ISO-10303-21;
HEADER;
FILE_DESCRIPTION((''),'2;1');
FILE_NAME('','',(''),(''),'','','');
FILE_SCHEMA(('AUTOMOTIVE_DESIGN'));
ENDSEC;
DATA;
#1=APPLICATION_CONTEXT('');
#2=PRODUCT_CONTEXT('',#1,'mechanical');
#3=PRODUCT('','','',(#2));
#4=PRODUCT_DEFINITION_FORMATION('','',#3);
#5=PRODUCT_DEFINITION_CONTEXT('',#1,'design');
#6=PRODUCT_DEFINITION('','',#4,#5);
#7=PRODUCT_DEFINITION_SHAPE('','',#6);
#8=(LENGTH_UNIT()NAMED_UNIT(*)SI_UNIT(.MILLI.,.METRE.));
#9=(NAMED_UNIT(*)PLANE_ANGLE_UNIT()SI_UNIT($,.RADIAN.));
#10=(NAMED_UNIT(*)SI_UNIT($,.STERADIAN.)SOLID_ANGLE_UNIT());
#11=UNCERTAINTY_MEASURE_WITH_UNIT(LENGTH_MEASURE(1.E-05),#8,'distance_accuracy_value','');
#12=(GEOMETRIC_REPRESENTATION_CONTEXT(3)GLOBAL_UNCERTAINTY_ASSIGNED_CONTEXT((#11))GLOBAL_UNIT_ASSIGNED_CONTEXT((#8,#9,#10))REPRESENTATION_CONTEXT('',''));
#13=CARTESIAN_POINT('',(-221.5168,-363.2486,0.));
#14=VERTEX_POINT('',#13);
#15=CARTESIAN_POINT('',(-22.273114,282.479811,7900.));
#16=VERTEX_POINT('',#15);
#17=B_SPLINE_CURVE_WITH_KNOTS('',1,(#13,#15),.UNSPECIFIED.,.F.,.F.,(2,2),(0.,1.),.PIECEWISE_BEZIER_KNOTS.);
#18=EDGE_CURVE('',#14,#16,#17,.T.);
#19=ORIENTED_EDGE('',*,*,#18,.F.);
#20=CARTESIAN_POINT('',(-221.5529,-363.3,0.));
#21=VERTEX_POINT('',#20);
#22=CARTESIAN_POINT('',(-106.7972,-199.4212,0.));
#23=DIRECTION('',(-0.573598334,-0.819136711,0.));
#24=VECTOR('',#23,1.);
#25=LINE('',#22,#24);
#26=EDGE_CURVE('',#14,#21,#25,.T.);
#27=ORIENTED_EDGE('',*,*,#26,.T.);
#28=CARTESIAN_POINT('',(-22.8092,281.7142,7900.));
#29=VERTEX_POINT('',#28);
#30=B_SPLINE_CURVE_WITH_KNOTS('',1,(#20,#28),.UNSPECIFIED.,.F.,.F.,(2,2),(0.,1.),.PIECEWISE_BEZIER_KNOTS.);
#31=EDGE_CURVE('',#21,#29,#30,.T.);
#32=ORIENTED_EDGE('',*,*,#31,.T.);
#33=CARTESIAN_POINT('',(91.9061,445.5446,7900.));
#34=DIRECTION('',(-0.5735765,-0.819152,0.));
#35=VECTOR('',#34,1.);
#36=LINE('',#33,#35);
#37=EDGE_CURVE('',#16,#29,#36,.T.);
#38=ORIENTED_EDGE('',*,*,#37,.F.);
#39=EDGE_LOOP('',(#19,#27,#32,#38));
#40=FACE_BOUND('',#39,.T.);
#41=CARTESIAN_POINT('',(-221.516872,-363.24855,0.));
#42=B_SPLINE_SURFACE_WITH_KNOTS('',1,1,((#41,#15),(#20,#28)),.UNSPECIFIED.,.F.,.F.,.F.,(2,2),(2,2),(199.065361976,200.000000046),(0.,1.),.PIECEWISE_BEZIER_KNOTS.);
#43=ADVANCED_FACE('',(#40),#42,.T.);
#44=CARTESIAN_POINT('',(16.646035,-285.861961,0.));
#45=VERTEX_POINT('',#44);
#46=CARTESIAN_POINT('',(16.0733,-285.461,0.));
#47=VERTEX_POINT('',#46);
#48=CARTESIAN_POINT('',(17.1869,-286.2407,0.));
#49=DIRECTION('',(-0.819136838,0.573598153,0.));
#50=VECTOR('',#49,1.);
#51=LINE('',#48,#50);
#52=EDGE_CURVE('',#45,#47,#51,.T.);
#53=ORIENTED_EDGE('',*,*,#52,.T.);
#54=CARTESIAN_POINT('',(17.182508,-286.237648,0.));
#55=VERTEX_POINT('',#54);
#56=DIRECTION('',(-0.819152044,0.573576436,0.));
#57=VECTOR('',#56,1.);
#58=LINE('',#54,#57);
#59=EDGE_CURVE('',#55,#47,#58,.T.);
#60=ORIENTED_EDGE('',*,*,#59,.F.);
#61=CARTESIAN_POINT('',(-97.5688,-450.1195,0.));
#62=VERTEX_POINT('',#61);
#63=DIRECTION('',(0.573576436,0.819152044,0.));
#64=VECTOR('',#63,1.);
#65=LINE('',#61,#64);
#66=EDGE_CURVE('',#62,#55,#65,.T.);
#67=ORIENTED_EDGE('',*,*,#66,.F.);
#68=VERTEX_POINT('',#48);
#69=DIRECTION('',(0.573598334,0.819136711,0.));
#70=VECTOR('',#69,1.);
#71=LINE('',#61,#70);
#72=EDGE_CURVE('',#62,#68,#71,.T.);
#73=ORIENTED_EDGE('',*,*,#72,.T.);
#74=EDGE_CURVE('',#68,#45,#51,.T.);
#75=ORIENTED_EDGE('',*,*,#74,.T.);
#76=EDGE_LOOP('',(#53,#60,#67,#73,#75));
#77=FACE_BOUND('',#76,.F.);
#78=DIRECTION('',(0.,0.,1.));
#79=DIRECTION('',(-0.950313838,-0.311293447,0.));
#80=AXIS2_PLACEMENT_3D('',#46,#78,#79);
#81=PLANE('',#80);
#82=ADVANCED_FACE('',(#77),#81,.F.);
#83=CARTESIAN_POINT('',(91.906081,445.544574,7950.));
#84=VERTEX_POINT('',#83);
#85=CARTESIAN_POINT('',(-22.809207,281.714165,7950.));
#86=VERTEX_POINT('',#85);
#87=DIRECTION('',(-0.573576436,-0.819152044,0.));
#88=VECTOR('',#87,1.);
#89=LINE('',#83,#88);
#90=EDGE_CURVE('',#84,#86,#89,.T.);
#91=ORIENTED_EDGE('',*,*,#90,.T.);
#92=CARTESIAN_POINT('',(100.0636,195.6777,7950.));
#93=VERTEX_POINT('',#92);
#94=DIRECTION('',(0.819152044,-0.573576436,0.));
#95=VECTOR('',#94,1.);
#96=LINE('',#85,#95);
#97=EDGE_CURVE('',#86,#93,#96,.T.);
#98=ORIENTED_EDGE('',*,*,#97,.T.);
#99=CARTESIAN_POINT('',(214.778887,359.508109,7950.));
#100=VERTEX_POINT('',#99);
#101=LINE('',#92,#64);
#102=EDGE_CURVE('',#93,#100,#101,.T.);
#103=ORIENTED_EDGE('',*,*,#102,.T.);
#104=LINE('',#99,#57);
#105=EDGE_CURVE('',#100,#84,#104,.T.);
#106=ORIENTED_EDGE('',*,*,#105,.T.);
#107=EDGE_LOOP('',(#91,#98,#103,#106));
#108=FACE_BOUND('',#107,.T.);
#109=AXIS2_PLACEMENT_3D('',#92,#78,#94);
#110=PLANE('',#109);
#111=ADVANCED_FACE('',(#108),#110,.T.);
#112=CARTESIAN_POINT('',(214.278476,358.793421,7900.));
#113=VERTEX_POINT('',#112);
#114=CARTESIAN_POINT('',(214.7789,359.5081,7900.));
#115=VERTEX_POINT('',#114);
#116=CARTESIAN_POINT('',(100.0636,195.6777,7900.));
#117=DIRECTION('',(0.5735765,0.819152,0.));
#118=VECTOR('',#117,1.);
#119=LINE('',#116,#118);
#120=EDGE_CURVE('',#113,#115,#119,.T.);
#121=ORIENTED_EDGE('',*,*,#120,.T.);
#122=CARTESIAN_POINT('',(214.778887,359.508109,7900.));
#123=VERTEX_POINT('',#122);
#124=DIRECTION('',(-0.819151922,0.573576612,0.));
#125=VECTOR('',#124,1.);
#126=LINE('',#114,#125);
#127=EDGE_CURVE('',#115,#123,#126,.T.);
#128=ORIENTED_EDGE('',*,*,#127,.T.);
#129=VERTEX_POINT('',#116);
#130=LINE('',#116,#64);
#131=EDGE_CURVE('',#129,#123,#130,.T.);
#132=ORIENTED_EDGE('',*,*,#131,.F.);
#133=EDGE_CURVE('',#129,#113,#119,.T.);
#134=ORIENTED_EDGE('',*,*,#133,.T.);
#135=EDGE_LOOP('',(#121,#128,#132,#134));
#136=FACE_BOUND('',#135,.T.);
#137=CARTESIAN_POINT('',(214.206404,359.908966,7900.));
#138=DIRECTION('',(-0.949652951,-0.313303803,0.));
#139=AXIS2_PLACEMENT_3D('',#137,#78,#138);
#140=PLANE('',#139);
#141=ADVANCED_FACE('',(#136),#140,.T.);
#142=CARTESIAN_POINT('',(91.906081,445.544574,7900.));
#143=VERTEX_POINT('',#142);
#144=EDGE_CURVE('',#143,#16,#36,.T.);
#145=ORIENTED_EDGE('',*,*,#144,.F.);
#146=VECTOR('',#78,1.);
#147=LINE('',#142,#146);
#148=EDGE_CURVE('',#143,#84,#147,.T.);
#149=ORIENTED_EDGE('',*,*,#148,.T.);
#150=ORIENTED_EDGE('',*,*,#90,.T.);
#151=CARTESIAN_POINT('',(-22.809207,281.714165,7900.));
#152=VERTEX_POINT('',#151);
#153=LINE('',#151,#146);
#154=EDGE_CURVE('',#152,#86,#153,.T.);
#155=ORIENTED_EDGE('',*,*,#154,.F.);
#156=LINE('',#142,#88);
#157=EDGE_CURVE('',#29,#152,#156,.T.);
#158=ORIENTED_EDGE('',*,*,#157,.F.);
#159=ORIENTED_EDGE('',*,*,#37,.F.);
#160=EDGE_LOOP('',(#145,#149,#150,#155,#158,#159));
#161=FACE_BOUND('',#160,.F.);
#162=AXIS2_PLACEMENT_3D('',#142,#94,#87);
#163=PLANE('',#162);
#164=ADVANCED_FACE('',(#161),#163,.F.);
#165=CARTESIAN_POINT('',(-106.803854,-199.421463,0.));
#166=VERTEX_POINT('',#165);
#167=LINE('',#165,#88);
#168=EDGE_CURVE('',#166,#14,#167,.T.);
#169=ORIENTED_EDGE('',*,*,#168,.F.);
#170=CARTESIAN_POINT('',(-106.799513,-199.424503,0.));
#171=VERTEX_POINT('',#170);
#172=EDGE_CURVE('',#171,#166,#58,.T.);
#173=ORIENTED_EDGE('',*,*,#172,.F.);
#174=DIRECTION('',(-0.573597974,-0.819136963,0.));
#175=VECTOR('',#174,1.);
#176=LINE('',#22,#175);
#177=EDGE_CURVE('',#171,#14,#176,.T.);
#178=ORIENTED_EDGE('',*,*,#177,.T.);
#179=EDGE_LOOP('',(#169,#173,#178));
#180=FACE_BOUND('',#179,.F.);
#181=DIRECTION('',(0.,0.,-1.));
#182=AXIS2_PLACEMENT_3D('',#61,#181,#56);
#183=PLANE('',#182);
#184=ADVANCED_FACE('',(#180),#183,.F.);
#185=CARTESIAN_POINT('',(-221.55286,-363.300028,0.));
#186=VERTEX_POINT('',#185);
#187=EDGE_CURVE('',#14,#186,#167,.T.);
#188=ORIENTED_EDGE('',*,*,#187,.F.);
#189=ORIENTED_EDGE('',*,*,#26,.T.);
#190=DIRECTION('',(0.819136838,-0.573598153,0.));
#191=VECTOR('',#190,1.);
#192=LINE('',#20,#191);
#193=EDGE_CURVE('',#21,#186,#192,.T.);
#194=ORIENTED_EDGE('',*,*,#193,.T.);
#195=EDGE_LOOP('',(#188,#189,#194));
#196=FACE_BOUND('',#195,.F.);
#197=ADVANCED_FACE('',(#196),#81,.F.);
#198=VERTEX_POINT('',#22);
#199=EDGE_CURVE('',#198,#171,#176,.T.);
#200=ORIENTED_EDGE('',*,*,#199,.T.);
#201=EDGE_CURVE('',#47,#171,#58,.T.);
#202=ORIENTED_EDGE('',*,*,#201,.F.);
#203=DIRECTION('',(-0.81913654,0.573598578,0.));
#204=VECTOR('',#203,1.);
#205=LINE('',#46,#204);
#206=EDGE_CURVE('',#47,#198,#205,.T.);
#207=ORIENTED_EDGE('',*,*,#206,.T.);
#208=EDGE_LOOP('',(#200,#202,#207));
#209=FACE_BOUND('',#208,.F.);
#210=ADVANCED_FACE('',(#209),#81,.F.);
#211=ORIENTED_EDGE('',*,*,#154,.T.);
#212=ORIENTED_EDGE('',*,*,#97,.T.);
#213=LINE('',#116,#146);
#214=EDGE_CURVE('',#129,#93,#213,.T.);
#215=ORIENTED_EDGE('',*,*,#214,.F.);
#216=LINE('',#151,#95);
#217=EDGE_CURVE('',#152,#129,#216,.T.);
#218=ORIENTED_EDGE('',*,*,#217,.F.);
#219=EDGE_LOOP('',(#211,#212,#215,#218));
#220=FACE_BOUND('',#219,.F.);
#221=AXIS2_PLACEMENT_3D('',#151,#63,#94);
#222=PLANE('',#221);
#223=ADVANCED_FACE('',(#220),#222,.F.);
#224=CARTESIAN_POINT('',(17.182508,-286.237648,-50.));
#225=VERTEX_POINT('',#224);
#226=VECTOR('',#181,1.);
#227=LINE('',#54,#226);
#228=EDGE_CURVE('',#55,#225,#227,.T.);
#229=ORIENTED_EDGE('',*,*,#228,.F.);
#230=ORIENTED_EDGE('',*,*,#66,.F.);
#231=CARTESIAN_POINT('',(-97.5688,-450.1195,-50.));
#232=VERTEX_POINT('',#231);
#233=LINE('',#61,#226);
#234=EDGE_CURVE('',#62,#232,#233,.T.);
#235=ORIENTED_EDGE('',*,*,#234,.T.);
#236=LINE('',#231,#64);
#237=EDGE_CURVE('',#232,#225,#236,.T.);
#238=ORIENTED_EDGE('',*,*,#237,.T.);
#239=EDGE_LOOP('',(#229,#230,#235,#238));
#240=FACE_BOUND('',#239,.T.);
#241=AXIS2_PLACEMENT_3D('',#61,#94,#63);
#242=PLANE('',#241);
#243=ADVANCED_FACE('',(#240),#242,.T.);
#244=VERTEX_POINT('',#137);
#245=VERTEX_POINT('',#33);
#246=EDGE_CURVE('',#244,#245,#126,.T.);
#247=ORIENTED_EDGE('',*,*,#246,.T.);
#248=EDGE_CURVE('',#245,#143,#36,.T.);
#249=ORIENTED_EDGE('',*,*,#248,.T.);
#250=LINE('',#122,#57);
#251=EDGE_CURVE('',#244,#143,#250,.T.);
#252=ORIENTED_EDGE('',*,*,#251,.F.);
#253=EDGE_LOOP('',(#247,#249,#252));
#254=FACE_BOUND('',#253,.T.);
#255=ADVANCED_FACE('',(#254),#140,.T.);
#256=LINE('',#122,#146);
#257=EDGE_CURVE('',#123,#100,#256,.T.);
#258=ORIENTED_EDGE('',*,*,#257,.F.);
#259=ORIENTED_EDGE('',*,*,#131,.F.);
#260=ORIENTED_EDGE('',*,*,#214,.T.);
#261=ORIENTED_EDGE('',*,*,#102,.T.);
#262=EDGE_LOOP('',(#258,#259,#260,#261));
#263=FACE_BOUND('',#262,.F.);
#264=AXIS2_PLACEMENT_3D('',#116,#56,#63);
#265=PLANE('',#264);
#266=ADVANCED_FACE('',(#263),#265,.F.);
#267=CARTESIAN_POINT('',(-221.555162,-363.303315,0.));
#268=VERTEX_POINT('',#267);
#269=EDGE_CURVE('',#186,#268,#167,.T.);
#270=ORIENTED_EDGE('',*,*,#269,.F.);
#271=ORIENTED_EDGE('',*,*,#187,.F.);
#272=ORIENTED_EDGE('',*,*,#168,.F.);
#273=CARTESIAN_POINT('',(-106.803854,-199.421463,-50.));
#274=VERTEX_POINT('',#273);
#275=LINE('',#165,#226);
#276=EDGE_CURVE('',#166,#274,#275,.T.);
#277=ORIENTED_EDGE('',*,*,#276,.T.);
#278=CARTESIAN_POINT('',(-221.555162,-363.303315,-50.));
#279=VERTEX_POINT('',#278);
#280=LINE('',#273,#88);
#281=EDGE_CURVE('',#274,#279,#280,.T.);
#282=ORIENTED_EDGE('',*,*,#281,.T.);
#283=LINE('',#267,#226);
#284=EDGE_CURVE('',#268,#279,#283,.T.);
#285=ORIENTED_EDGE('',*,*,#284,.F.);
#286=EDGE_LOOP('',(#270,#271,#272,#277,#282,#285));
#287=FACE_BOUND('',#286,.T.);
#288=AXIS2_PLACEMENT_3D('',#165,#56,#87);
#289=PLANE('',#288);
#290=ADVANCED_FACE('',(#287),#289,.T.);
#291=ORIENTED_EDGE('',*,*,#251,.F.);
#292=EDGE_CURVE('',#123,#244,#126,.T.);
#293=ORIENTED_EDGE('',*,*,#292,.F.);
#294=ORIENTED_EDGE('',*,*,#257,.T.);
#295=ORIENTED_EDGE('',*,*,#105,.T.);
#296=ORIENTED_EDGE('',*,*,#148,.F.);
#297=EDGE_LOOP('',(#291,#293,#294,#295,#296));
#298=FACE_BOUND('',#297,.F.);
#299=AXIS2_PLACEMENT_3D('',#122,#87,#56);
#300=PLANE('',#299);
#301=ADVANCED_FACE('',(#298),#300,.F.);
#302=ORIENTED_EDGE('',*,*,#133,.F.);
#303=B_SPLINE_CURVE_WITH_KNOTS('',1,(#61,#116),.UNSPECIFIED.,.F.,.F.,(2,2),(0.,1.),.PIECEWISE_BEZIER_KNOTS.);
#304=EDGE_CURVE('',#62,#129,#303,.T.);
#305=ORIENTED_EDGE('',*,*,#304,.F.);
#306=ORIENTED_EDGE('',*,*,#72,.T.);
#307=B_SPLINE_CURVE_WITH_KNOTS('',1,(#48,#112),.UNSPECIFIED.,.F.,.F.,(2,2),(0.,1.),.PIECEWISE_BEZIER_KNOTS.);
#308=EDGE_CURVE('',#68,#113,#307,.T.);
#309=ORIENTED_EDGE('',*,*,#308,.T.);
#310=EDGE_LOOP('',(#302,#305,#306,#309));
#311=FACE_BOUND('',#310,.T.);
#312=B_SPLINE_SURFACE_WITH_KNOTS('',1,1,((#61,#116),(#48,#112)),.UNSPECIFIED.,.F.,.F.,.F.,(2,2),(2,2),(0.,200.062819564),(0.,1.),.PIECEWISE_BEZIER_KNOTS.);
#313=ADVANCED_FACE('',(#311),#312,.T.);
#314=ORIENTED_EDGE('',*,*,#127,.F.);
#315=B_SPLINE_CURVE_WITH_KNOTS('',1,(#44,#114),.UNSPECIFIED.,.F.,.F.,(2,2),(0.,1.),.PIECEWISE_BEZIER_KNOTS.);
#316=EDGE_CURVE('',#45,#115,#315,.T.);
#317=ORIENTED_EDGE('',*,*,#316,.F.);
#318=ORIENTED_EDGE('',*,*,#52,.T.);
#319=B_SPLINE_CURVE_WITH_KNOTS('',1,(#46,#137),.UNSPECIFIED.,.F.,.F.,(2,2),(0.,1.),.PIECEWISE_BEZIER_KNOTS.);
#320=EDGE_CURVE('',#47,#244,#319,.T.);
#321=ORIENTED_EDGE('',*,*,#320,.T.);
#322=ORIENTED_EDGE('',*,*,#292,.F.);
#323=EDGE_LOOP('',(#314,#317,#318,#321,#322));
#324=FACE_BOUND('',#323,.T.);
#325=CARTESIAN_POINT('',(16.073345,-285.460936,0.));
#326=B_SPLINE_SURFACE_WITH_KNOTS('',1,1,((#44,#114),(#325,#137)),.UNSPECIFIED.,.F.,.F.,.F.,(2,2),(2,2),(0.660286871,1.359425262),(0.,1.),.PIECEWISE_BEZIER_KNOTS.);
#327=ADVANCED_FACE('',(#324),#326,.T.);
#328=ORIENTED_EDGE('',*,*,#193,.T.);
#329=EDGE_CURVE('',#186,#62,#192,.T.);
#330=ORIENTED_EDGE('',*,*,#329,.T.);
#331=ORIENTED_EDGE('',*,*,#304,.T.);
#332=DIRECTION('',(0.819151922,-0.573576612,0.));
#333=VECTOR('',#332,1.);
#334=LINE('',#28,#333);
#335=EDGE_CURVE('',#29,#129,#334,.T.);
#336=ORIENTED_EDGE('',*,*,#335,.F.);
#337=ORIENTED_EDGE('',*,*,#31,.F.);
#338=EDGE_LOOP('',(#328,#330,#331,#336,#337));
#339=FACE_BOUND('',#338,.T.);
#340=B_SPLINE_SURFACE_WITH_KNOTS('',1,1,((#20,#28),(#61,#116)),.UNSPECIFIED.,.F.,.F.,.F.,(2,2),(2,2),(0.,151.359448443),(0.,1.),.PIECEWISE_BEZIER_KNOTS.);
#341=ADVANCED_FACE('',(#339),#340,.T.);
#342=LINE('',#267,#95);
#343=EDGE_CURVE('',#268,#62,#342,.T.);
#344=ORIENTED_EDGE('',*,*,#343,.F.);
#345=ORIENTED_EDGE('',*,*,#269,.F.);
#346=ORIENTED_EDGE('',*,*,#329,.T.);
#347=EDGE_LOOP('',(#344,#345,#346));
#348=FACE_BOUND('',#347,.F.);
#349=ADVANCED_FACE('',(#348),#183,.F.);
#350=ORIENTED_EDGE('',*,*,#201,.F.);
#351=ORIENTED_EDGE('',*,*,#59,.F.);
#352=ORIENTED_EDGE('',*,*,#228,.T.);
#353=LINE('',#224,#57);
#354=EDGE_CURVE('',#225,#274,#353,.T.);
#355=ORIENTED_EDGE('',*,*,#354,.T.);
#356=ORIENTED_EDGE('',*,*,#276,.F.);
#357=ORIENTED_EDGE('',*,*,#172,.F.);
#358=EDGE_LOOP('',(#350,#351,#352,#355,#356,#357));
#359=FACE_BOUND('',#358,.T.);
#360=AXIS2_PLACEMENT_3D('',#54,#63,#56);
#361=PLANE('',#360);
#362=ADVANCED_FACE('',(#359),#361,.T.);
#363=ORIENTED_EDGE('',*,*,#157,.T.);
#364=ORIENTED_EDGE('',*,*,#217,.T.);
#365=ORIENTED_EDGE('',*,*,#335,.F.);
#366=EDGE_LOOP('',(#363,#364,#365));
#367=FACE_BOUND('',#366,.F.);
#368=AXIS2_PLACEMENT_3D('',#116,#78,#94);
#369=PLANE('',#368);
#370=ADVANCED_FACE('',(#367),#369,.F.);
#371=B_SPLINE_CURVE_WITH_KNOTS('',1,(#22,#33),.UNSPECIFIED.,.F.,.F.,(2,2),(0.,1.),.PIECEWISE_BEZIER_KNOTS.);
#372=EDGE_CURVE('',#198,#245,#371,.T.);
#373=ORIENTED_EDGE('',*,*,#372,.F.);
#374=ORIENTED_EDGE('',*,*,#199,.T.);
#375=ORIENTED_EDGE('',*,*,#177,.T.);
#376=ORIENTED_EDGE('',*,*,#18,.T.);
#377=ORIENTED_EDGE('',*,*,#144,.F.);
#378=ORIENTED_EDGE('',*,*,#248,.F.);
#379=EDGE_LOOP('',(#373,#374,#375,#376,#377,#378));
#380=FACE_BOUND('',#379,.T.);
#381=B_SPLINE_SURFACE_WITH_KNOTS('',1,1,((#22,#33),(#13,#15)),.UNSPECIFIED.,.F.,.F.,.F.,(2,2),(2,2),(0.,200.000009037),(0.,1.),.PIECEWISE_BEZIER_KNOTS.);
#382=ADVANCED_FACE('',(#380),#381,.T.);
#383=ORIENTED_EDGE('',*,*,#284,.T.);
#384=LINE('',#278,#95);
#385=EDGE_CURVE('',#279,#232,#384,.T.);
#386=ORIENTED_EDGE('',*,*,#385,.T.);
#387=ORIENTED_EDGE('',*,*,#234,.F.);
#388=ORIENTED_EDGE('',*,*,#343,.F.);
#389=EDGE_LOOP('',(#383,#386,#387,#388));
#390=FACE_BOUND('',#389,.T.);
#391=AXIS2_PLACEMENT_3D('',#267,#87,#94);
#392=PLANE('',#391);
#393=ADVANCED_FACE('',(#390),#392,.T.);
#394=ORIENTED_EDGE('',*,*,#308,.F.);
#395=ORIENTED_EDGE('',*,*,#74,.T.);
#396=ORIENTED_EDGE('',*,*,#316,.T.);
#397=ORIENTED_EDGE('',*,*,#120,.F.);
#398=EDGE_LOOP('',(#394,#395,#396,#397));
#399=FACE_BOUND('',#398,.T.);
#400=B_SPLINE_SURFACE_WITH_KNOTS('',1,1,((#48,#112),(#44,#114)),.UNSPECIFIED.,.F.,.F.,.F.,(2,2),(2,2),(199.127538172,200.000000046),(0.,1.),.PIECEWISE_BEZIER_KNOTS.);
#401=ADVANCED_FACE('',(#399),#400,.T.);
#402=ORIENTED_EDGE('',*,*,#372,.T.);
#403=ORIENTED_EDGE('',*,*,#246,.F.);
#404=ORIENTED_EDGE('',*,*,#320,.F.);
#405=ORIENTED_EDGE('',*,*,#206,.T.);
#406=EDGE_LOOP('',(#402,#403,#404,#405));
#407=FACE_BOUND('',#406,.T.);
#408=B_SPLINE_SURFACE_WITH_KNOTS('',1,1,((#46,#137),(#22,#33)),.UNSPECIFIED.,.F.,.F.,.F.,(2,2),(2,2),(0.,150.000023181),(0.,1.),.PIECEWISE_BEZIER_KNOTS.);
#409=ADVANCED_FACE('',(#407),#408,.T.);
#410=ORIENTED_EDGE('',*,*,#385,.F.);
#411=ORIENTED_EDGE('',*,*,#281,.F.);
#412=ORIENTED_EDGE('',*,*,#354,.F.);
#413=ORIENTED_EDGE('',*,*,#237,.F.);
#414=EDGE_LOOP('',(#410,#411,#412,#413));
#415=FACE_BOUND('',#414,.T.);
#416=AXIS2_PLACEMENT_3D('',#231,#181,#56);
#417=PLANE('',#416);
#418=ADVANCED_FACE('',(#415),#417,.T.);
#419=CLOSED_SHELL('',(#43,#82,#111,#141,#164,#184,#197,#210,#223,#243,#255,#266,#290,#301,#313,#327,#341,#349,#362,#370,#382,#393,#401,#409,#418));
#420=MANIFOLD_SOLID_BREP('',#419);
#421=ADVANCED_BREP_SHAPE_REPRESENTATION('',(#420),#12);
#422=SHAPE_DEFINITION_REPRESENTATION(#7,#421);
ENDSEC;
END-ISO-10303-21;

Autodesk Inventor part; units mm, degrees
ref_plane "YZ Plane" through (0, 0, 0) normal (1, 0, 0) x (0, 1, 0)
ref_plane "XZ Plane" through (0, 0, 0) normal (0, 1, 0) x (-1, 0, 0)
sketch "Sketch1" plane through (0, 0, 0) normal (0, 0, 1) x (1, 0, 0)
  line L0 (-106.7972, -199.4212) -> (-221.5168, -363.2486)
  line L1 (16.0733, -285.461) -> (-106.7972, -199.4212)
  line L2 (16.6111, -285.8734) -> (-98.1042, -449.7038)
  line L3 (-98.1042, -449.7038) -> (-220.977, -363.6673)
  line L4 (-97.5688, -450.1195) -> (17.1869, -286.2407)
  line L5 (17.1869, -286.2407) -> (-106.7972, -199.4212)
  line L6 (-106.7972, -199.4212) -> (-221.5529, -363.3)
  line L7 (-221.5529, -363.3) -> (-97.5688, -450.1195)
  line L8 (-97.5688, -450.1195) -> (-106.7972, -199.4212) construction
  line L9 (17.1869, -286.2407) -> (-221.5529, -363.3) construction
  point P0 (0, 0)
  point P1 (-102.183, -324.7704)
ref_plane "Work Plane2" through (0, 0, 7900) normal (0, 0, 1) x (1, 0, 0)
ref_plane "Work Plane1" through (0, 0, 0) normal (0, 0, 1) x (1, 0, 0)
sketch "Sketch2" plane through (0, 0, 7900) normal (0, 0, 1) x (1, 0, 0)
  line L0 (214.7789, 359.5081) -> (91.9061, 445.5446) construction
  line L1 (91.9061, 445.5446) -> (-22.8092, 281.7142) construction
  line L2 (100.0636, 195.6777) -> (214.7789, 359.5081) construction
  line L3 (-22.8092, 281.7142) -> (100.0636, 195.6777) construction
  line L4 (100.0636, 195.6777) -> (214.7789, 359.5081)
  line L5 (214.7789, 359.5081) -> (91.9061, 445.5446)
  line L6 (91.9061, 445.5446) -> (-22.8092, 281.7142)
  line L7 (-22.8092, 281.7142) -> (100.0636, 195.6777)
  line L8 (100.0636, 195.6777) -> (91.9061, 445.5446) construction
  line L9 (214.7789, 359.5081) -> (-22.8092, 281.7142) construction
  point P0 (0, 0)
  point P1 (95.9849, 320.6112)
loft "Loft1" add profiles "Sketch1", "Sketch2"
sketch "Sketch3" plane through (-97.5688, -450.1195, 0) normal (0, 0, -1) x (-0.8191, 0.5736, 0)
  line L0 (0, 0) -> (0, 200.0628) projected
  line L1 (151.3594, 0) -> (0, 0) projected
  line L2 (151.3594, 200.0628) -> (151.3594, 0) projected
  line L3 (0, 200.0628) -> (151.3594, 200.0628) projected
  point P0 (178.2656, 424.6747)
sketch "Sketch4" plane through (100.0636, 195.6777, 7900) normal (0, 0, 1) x (0.8192, -0.5736, 0)
  line L0 (0, 0) -> (0, 200) projected
  line L1 (0, 200) -> (-150, 200) projected
  line L2 (-150, 200) -> (-150, 0) projected
  line L3 (-150, 0) -> (0, 0) projected
  point P0 (30.2688, -217.684)
extrude "Extrusion1" add sketch "Sketch3" along normal blind 50
extrude "Extrusion2" add sketch "Sketch4" along normal blind 50
properties part number "support_beam_segment_0104" material "Wood Shake"
